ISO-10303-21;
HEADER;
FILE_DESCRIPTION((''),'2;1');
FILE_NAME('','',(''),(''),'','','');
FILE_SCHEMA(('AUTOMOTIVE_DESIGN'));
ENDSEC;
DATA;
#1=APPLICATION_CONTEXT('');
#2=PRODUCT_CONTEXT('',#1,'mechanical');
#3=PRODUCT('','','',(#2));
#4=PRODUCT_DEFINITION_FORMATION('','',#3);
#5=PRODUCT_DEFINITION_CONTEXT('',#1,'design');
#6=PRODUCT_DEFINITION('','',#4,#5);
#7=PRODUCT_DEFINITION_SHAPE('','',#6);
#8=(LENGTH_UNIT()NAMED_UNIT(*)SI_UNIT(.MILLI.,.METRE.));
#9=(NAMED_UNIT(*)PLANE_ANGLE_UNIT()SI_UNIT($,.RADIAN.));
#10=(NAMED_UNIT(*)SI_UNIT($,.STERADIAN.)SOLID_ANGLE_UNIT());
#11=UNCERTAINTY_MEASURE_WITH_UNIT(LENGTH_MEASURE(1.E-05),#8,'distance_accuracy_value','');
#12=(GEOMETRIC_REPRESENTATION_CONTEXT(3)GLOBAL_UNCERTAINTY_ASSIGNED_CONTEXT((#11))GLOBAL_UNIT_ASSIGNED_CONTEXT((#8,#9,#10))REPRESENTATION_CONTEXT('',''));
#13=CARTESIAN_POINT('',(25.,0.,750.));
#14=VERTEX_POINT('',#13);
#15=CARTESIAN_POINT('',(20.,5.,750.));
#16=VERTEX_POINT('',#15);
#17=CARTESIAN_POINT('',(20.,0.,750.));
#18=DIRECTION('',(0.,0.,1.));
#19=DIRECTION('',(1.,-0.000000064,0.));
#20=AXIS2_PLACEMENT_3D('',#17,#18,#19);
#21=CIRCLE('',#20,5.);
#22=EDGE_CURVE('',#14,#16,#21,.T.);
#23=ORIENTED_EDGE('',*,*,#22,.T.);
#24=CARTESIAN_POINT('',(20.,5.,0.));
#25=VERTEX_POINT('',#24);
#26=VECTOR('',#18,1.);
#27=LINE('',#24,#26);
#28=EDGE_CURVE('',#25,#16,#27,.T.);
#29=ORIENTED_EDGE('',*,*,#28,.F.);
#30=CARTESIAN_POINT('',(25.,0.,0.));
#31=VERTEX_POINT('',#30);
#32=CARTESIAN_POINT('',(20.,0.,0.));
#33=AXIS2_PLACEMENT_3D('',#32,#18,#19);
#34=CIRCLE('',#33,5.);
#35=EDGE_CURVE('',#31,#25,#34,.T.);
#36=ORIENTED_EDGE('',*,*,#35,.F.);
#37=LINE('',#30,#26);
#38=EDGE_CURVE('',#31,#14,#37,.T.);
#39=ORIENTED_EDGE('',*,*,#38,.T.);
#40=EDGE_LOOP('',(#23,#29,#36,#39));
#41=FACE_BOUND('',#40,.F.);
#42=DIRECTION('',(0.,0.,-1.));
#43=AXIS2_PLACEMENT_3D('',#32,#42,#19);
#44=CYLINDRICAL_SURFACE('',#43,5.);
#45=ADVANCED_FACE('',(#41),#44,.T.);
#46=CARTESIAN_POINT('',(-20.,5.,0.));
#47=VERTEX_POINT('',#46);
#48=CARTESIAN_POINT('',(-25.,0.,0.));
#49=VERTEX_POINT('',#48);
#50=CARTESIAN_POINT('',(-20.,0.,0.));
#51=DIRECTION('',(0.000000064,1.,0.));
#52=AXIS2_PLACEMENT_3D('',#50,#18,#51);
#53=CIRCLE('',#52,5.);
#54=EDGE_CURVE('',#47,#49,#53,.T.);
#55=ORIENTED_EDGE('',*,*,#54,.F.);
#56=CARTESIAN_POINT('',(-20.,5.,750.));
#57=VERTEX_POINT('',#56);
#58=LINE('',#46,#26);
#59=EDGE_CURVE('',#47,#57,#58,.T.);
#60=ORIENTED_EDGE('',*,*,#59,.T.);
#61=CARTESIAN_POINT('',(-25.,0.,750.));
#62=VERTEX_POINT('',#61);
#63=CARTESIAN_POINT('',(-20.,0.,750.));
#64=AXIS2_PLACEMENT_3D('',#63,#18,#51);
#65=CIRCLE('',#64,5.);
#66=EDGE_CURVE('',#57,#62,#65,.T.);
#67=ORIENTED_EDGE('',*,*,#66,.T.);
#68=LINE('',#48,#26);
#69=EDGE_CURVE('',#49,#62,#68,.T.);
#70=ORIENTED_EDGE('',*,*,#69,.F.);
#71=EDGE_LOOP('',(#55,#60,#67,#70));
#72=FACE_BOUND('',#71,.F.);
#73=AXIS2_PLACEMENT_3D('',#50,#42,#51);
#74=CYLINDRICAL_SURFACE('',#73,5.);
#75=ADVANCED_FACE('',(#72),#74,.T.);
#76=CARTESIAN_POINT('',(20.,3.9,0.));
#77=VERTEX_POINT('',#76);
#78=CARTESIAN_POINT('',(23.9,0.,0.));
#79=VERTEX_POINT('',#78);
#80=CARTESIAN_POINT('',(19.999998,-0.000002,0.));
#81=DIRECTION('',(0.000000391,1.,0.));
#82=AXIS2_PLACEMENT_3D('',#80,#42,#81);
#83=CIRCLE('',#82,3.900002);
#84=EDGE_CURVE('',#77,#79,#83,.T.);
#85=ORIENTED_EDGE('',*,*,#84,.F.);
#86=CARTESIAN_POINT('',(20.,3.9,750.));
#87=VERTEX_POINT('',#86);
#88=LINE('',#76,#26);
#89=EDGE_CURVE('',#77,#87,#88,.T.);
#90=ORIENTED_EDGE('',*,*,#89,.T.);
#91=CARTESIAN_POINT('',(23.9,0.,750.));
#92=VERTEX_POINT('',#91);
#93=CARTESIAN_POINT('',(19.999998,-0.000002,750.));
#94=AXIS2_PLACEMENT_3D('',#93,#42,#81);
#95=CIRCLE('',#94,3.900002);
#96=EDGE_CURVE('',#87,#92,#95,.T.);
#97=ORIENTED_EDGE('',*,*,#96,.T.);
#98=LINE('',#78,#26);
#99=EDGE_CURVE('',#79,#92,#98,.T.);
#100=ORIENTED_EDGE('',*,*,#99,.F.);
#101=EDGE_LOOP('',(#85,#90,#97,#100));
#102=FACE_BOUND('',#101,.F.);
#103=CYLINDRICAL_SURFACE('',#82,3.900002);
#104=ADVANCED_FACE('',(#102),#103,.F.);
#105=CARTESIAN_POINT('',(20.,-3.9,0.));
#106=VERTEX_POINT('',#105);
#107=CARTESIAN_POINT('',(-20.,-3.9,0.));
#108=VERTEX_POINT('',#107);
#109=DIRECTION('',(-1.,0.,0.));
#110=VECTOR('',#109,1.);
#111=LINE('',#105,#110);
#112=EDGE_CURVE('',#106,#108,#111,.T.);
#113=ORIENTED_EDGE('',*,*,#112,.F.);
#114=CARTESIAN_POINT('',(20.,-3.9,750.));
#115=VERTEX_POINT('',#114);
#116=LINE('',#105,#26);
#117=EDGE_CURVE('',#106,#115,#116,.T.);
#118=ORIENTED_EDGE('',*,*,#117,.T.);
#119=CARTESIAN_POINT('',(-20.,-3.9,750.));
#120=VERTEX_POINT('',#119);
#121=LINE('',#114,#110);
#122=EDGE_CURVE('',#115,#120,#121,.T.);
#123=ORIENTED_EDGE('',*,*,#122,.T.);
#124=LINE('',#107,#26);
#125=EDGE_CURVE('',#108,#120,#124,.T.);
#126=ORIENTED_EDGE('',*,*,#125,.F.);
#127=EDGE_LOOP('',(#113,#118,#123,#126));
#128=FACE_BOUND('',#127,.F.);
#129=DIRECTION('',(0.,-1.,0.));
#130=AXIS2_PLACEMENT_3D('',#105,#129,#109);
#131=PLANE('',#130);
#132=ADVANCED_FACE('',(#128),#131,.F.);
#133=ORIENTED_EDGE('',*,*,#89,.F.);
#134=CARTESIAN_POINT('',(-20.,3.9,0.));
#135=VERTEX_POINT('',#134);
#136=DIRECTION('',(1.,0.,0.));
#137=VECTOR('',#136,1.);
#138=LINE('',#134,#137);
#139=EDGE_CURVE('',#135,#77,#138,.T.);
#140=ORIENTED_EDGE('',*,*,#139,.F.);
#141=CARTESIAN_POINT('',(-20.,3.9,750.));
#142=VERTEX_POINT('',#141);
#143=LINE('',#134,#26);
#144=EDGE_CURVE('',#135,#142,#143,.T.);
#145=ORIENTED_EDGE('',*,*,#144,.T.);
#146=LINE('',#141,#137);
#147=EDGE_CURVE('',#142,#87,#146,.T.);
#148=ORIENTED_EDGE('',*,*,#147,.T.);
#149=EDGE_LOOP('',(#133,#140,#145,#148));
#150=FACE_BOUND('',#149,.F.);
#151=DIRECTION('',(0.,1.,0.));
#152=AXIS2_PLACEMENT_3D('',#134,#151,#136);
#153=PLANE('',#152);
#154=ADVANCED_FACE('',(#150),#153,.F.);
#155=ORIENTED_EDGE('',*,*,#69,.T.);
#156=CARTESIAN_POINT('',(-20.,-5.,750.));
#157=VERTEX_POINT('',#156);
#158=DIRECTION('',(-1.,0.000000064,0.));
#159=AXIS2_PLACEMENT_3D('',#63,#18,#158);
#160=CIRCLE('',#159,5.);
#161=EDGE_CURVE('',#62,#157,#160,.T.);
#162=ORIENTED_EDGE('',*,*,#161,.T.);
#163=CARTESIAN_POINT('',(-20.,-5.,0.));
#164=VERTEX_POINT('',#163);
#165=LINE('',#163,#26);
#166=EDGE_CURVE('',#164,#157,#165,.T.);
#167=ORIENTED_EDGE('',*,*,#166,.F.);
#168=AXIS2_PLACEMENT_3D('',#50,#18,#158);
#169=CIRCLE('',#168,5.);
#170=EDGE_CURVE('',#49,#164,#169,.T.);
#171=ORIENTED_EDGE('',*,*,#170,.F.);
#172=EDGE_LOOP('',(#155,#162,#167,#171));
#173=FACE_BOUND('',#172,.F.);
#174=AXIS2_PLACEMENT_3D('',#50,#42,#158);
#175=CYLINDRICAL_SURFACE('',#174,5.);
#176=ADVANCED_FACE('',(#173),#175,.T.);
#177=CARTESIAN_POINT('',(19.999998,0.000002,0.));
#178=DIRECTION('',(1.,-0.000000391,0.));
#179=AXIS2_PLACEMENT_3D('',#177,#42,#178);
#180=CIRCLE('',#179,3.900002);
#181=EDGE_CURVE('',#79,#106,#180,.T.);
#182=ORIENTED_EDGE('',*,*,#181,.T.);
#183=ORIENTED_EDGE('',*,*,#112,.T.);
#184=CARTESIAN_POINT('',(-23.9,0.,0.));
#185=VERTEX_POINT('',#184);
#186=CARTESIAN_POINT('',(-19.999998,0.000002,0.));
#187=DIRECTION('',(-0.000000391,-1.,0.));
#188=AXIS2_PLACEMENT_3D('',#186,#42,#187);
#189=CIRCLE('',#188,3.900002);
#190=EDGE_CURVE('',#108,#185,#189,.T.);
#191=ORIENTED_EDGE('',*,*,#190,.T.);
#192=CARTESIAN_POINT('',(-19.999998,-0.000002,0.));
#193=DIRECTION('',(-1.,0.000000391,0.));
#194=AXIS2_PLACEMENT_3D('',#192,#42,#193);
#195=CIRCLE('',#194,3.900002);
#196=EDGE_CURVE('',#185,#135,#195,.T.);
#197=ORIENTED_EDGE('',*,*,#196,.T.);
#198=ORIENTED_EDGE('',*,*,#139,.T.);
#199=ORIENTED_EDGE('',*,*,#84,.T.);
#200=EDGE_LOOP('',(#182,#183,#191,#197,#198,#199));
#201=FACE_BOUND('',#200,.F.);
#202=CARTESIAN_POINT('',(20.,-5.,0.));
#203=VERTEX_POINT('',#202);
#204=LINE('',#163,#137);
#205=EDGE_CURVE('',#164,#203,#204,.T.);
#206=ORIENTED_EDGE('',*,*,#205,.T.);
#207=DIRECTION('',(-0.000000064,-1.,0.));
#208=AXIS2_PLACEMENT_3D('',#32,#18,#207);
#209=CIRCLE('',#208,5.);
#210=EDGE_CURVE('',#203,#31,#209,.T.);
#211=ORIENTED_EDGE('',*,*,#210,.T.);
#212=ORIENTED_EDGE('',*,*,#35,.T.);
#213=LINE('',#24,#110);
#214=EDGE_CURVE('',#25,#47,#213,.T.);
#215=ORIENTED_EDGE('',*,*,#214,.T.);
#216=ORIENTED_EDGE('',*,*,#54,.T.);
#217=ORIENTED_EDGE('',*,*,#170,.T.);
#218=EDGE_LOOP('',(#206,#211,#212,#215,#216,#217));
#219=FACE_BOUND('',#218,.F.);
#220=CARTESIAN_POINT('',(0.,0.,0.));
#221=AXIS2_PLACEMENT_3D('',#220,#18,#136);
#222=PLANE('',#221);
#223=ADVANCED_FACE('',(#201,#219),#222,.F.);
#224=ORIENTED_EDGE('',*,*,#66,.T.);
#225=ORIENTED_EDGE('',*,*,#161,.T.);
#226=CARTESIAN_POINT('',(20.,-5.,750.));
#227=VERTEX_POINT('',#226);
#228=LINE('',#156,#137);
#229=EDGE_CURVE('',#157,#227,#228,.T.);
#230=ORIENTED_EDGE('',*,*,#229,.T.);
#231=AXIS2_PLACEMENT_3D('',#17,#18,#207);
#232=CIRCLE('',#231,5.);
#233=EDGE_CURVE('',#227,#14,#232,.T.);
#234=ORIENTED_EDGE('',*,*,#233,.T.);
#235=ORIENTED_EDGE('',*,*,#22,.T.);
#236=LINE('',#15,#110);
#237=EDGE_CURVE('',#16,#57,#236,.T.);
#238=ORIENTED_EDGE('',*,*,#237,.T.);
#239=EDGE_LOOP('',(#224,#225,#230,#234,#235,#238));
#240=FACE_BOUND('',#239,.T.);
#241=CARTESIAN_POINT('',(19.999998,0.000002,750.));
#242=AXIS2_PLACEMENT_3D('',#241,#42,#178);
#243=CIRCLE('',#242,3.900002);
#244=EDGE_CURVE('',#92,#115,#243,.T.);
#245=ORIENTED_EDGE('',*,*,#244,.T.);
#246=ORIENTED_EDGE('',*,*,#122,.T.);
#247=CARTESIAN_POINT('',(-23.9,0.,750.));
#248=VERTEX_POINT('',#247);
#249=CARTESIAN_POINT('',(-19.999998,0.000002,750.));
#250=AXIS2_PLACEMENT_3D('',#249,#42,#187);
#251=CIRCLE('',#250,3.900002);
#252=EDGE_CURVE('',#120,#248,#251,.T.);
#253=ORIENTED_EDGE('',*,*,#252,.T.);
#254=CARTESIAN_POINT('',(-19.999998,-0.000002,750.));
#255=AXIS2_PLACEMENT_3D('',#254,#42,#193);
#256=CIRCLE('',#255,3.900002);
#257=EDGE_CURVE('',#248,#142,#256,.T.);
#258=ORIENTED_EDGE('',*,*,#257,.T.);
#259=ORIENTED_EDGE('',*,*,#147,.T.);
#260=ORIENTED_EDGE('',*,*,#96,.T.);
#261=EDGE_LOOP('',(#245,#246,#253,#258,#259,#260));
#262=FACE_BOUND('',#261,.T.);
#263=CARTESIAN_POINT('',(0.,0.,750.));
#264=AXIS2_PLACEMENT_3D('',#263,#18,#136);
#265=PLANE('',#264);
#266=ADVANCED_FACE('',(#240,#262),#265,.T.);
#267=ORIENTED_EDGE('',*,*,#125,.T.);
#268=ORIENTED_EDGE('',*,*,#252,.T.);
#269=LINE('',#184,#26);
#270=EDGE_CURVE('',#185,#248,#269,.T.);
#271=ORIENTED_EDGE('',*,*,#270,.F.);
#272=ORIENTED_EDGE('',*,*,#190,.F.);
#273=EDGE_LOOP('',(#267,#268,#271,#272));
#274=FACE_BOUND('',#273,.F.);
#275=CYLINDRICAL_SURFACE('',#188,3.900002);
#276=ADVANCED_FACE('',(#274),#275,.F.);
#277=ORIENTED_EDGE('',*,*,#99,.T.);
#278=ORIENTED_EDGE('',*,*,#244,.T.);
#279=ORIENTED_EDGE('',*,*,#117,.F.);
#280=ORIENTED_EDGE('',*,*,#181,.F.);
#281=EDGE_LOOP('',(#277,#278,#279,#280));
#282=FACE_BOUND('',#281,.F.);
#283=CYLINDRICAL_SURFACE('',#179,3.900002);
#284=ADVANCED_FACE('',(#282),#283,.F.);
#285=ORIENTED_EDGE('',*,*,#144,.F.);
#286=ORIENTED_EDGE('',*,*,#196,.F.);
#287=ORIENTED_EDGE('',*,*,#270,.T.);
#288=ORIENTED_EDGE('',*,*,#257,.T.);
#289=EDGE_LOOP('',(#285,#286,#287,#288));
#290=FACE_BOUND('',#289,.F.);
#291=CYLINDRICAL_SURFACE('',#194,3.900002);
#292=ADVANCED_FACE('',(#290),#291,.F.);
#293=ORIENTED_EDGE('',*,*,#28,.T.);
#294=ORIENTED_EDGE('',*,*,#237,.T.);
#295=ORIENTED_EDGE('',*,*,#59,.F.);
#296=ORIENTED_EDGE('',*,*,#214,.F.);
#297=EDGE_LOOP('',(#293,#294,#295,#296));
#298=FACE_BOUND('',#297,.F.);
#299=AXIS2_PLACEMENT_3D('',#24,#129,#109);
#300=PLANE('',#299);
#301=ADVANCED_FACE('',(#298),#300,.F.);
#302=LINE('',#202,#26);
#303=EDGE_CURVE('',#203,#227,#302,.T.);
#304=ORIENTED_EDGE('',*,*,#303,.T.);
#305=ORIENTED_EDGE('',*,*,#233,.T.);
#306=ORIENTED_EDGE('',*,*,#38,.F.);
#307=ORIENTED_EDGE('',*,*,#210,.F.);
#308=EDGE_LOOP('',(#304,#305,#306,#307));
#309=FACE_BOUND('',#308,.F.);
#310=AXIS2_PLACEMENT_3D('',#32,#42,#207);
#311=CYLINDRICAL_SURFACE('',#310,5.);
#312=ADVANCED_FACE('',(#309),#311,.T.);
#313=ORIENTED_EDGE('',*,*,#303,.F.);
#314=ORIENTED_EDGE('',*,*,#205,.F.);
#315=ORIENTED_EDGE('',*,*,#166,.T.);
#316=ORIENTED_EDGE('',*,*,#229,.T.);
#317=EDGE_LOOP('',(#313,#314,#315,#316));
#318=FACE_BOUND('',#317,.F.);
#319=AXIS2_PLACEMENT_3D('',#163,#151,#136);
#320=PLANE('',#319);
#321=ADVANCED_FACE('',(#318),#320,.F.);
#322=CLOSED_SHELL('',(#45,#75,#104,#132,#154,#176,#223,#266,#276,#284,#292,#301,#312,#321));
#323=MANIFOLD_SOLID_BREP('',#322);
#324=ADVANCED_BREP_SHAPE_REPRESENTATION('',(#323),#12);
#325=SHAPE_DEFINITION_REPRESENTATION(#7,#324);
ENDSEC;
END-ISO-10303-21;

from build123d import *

# Parameters (mm, degrees)
F1_DEPTH = 750


with BuildPart() as f1:
    # F0 (on Top) → F1 (new body)
    with BuildSketch(Plane.XY):
        with BuildLine():
            Line((20, 5), (-20, 5))
            ThreePointArc((-20, 5), (-23.535534, 3.535534), (-25, 0))
            ThreePointArc((-25, 0), (-23.535534, -3.535534), (-20, -5))
            Line((-20, -5), (20, -5))
            ThreePointArc((20, -5), (23.535534, -3.535534), (25, 0))
            ThreePointArc((25, 0), (23.535534, 3.535534), (20, 5))
        make_face()
        with BuildLine():
            ThreePointArc((-23.9, 0), (-22.757716, 2.757716), (-20, 3.9))
            Line((-20, 3.9), (20, 3.9))
            ThreePointArc((20, 3.9), (22.757716, 2.757716), (23.9, 0))
            ThreePointArc((23.9, 0), (22.757716, -2.757716), (20, -3.9))
            Line((20, -3.9), (-20, -3.9))
            ThreePointArc((-20, -3.9), (-22.757716, -2.757716), (-23.9, 0))
        make_face(mode=Mode.SUBTRACT)
    extrude(amount=F1_DEPTH)


solid = f1.part
